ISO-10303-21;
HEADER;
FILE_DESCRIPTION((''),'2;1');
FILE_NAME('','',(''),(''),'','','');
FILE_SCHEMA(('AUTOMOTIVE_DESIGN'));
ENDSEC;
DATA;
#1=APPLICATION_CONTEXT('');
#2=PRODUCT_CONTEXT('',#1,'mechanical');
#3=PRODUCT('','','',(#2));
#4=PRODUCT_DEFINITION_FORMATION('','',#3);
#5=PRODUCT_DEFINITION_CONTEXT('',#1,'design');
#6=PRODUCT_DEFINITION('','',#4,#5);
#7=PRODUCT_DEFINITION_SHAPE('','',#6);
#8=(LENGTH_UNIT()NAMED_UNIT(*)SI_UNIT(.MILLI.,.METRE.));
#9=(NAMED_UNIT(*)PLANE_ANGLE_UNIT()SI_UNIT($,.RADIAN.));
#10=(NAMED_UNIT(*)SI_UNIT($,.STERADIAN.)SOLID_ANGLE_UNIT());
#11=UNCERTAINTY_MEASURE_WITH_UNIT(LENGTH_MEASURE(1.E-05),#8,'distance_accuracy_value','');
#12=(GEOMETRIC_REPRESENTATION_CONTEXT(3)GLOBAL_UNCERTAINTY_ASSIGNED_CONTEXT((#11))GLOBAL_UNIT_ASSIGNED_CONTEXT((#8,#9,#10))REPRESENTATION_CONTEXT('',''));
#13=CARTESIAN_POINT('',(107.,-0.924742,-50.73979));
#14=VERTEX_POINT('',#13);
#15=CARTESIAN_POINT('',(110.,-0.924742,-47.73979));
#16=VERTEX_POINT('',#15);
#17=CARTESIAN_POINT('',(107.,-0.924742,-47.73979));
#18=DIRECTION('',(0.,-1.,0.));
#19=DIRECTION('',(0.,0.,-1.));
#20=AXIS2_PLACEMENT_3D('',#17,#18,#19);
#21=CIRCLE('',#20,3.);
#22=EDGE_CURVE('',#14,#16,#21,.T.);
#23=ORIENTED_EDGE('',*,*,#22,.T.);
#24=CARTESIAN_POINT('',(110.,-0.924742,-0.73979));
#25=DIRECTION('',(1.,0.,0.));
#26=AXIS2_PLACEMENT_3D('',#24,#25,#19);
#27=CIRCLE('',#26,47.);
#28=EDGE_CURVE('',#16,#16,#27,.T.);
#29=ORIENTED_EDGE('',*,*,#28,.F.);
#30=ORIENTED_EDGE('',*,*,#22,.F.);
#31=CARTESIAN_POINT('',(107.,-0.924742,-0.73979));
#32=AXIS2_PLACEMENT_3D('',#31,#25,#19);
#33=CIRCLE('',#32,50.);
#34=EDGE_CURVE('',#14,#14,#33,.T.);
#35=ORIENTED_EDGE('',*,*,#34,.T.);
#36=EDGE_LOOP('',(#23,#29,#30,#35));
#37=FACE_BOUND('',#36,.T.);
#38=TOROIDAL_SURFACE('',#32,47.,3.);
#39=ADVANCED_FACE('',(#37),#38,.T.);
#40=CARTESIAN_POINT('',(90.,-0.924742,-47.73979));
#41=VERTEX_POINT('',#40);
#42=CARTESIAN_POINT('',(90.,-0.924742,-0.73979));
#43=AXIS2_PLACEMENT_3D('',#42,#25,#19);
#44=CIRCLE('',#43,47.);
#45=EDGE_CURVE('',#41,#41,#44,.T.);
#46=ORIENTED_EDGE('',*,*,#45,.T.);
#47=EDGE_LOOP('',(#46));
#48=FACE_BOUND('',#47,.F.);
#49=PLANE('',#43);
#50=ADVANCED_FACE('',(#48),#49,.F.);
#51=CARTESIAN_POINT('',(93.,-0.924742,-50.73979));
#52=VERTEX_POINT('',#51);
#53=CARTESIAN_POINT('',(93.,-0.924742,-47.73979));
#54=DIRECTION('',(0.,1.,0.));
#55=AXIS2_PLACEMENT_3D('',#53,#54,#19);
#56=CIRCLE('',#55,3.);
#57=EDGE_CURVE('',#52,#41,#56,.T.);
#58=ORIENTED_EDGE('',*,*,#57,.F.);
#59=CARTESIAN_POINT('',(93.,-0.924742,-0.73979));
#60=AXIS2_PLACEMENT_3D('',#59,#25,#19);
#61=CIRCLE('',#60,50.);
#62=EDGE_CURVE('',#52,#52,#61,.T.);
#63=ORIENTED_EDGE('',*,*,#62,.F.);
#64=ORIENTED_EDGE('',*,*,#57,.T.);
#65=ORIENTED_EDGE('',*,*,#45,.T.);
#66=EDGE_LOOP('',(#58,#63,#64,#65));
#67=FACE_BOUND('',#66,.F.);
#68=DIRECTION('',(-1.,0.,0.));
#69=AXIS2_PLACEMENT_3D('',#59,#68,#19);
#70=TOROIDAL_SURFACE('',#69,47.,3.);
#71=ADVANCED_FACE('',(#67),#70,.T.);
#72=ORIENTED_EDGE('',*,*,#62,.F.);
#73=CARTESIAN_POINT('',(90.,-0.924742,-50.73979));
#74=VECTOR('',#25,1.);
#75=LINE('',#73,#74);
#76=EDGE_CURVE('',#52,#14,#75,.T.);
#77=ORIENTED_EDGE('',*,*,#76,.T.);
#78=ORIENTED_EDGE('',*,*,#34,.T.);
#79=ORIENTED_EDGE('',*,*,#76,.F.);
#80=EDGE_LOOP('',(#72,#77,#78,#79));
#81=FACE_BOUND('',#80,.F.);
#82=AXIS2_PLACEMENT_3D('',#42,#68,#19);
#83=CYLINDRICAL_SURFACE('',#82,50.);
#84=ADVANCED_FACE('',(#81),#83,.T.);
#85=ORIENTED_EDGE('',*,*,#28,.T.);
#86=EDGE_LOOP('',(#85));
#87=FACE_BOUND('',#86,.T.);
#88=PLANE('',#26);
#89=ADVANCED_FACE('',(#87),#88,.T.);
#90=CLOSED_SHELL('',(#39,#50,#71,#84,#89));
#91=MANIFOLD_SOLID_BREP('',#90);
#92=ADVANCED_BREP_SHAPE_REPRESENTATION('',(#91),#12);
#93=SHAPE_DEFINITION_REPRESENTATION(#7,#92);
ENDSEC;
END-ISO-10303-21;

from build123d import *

# Parameters (mm, degrees)
SKETCH001_R  = 50
PAD001_DEPTH = 20
FILLET001_R  = 3
FILLET002_R  = 3


with BuildPart() as part:
    # Sketch001 → Pad001 (new body)
    with BuildSketch(Plane(origin=(90, 0, 0), x_dir=(0, 0, -1), z_dir=(1, 0, 0))):
        with Locations((0.73979, -0.924742)):
            Circle(SKETCH001_R)
    extrude(amount=PAD001_DEPTH)

    # Fillet001
    fillet001_edges = [part.edges().sort_by_distance(p)[0] for p in [
        (110, -0.924742, 49.26021),
    ]]
    fillet(fillet001_edges, radius=FILLET001_R)

    # Fillet002
    fillet002_edges = [part.edges().sort_by_distance(p)[0] for p in [
        (90, -0.924742, 49.26021),
    ]]
    fillet(fillet002_edges, radius=FILLET002_R)


solid = part.part
